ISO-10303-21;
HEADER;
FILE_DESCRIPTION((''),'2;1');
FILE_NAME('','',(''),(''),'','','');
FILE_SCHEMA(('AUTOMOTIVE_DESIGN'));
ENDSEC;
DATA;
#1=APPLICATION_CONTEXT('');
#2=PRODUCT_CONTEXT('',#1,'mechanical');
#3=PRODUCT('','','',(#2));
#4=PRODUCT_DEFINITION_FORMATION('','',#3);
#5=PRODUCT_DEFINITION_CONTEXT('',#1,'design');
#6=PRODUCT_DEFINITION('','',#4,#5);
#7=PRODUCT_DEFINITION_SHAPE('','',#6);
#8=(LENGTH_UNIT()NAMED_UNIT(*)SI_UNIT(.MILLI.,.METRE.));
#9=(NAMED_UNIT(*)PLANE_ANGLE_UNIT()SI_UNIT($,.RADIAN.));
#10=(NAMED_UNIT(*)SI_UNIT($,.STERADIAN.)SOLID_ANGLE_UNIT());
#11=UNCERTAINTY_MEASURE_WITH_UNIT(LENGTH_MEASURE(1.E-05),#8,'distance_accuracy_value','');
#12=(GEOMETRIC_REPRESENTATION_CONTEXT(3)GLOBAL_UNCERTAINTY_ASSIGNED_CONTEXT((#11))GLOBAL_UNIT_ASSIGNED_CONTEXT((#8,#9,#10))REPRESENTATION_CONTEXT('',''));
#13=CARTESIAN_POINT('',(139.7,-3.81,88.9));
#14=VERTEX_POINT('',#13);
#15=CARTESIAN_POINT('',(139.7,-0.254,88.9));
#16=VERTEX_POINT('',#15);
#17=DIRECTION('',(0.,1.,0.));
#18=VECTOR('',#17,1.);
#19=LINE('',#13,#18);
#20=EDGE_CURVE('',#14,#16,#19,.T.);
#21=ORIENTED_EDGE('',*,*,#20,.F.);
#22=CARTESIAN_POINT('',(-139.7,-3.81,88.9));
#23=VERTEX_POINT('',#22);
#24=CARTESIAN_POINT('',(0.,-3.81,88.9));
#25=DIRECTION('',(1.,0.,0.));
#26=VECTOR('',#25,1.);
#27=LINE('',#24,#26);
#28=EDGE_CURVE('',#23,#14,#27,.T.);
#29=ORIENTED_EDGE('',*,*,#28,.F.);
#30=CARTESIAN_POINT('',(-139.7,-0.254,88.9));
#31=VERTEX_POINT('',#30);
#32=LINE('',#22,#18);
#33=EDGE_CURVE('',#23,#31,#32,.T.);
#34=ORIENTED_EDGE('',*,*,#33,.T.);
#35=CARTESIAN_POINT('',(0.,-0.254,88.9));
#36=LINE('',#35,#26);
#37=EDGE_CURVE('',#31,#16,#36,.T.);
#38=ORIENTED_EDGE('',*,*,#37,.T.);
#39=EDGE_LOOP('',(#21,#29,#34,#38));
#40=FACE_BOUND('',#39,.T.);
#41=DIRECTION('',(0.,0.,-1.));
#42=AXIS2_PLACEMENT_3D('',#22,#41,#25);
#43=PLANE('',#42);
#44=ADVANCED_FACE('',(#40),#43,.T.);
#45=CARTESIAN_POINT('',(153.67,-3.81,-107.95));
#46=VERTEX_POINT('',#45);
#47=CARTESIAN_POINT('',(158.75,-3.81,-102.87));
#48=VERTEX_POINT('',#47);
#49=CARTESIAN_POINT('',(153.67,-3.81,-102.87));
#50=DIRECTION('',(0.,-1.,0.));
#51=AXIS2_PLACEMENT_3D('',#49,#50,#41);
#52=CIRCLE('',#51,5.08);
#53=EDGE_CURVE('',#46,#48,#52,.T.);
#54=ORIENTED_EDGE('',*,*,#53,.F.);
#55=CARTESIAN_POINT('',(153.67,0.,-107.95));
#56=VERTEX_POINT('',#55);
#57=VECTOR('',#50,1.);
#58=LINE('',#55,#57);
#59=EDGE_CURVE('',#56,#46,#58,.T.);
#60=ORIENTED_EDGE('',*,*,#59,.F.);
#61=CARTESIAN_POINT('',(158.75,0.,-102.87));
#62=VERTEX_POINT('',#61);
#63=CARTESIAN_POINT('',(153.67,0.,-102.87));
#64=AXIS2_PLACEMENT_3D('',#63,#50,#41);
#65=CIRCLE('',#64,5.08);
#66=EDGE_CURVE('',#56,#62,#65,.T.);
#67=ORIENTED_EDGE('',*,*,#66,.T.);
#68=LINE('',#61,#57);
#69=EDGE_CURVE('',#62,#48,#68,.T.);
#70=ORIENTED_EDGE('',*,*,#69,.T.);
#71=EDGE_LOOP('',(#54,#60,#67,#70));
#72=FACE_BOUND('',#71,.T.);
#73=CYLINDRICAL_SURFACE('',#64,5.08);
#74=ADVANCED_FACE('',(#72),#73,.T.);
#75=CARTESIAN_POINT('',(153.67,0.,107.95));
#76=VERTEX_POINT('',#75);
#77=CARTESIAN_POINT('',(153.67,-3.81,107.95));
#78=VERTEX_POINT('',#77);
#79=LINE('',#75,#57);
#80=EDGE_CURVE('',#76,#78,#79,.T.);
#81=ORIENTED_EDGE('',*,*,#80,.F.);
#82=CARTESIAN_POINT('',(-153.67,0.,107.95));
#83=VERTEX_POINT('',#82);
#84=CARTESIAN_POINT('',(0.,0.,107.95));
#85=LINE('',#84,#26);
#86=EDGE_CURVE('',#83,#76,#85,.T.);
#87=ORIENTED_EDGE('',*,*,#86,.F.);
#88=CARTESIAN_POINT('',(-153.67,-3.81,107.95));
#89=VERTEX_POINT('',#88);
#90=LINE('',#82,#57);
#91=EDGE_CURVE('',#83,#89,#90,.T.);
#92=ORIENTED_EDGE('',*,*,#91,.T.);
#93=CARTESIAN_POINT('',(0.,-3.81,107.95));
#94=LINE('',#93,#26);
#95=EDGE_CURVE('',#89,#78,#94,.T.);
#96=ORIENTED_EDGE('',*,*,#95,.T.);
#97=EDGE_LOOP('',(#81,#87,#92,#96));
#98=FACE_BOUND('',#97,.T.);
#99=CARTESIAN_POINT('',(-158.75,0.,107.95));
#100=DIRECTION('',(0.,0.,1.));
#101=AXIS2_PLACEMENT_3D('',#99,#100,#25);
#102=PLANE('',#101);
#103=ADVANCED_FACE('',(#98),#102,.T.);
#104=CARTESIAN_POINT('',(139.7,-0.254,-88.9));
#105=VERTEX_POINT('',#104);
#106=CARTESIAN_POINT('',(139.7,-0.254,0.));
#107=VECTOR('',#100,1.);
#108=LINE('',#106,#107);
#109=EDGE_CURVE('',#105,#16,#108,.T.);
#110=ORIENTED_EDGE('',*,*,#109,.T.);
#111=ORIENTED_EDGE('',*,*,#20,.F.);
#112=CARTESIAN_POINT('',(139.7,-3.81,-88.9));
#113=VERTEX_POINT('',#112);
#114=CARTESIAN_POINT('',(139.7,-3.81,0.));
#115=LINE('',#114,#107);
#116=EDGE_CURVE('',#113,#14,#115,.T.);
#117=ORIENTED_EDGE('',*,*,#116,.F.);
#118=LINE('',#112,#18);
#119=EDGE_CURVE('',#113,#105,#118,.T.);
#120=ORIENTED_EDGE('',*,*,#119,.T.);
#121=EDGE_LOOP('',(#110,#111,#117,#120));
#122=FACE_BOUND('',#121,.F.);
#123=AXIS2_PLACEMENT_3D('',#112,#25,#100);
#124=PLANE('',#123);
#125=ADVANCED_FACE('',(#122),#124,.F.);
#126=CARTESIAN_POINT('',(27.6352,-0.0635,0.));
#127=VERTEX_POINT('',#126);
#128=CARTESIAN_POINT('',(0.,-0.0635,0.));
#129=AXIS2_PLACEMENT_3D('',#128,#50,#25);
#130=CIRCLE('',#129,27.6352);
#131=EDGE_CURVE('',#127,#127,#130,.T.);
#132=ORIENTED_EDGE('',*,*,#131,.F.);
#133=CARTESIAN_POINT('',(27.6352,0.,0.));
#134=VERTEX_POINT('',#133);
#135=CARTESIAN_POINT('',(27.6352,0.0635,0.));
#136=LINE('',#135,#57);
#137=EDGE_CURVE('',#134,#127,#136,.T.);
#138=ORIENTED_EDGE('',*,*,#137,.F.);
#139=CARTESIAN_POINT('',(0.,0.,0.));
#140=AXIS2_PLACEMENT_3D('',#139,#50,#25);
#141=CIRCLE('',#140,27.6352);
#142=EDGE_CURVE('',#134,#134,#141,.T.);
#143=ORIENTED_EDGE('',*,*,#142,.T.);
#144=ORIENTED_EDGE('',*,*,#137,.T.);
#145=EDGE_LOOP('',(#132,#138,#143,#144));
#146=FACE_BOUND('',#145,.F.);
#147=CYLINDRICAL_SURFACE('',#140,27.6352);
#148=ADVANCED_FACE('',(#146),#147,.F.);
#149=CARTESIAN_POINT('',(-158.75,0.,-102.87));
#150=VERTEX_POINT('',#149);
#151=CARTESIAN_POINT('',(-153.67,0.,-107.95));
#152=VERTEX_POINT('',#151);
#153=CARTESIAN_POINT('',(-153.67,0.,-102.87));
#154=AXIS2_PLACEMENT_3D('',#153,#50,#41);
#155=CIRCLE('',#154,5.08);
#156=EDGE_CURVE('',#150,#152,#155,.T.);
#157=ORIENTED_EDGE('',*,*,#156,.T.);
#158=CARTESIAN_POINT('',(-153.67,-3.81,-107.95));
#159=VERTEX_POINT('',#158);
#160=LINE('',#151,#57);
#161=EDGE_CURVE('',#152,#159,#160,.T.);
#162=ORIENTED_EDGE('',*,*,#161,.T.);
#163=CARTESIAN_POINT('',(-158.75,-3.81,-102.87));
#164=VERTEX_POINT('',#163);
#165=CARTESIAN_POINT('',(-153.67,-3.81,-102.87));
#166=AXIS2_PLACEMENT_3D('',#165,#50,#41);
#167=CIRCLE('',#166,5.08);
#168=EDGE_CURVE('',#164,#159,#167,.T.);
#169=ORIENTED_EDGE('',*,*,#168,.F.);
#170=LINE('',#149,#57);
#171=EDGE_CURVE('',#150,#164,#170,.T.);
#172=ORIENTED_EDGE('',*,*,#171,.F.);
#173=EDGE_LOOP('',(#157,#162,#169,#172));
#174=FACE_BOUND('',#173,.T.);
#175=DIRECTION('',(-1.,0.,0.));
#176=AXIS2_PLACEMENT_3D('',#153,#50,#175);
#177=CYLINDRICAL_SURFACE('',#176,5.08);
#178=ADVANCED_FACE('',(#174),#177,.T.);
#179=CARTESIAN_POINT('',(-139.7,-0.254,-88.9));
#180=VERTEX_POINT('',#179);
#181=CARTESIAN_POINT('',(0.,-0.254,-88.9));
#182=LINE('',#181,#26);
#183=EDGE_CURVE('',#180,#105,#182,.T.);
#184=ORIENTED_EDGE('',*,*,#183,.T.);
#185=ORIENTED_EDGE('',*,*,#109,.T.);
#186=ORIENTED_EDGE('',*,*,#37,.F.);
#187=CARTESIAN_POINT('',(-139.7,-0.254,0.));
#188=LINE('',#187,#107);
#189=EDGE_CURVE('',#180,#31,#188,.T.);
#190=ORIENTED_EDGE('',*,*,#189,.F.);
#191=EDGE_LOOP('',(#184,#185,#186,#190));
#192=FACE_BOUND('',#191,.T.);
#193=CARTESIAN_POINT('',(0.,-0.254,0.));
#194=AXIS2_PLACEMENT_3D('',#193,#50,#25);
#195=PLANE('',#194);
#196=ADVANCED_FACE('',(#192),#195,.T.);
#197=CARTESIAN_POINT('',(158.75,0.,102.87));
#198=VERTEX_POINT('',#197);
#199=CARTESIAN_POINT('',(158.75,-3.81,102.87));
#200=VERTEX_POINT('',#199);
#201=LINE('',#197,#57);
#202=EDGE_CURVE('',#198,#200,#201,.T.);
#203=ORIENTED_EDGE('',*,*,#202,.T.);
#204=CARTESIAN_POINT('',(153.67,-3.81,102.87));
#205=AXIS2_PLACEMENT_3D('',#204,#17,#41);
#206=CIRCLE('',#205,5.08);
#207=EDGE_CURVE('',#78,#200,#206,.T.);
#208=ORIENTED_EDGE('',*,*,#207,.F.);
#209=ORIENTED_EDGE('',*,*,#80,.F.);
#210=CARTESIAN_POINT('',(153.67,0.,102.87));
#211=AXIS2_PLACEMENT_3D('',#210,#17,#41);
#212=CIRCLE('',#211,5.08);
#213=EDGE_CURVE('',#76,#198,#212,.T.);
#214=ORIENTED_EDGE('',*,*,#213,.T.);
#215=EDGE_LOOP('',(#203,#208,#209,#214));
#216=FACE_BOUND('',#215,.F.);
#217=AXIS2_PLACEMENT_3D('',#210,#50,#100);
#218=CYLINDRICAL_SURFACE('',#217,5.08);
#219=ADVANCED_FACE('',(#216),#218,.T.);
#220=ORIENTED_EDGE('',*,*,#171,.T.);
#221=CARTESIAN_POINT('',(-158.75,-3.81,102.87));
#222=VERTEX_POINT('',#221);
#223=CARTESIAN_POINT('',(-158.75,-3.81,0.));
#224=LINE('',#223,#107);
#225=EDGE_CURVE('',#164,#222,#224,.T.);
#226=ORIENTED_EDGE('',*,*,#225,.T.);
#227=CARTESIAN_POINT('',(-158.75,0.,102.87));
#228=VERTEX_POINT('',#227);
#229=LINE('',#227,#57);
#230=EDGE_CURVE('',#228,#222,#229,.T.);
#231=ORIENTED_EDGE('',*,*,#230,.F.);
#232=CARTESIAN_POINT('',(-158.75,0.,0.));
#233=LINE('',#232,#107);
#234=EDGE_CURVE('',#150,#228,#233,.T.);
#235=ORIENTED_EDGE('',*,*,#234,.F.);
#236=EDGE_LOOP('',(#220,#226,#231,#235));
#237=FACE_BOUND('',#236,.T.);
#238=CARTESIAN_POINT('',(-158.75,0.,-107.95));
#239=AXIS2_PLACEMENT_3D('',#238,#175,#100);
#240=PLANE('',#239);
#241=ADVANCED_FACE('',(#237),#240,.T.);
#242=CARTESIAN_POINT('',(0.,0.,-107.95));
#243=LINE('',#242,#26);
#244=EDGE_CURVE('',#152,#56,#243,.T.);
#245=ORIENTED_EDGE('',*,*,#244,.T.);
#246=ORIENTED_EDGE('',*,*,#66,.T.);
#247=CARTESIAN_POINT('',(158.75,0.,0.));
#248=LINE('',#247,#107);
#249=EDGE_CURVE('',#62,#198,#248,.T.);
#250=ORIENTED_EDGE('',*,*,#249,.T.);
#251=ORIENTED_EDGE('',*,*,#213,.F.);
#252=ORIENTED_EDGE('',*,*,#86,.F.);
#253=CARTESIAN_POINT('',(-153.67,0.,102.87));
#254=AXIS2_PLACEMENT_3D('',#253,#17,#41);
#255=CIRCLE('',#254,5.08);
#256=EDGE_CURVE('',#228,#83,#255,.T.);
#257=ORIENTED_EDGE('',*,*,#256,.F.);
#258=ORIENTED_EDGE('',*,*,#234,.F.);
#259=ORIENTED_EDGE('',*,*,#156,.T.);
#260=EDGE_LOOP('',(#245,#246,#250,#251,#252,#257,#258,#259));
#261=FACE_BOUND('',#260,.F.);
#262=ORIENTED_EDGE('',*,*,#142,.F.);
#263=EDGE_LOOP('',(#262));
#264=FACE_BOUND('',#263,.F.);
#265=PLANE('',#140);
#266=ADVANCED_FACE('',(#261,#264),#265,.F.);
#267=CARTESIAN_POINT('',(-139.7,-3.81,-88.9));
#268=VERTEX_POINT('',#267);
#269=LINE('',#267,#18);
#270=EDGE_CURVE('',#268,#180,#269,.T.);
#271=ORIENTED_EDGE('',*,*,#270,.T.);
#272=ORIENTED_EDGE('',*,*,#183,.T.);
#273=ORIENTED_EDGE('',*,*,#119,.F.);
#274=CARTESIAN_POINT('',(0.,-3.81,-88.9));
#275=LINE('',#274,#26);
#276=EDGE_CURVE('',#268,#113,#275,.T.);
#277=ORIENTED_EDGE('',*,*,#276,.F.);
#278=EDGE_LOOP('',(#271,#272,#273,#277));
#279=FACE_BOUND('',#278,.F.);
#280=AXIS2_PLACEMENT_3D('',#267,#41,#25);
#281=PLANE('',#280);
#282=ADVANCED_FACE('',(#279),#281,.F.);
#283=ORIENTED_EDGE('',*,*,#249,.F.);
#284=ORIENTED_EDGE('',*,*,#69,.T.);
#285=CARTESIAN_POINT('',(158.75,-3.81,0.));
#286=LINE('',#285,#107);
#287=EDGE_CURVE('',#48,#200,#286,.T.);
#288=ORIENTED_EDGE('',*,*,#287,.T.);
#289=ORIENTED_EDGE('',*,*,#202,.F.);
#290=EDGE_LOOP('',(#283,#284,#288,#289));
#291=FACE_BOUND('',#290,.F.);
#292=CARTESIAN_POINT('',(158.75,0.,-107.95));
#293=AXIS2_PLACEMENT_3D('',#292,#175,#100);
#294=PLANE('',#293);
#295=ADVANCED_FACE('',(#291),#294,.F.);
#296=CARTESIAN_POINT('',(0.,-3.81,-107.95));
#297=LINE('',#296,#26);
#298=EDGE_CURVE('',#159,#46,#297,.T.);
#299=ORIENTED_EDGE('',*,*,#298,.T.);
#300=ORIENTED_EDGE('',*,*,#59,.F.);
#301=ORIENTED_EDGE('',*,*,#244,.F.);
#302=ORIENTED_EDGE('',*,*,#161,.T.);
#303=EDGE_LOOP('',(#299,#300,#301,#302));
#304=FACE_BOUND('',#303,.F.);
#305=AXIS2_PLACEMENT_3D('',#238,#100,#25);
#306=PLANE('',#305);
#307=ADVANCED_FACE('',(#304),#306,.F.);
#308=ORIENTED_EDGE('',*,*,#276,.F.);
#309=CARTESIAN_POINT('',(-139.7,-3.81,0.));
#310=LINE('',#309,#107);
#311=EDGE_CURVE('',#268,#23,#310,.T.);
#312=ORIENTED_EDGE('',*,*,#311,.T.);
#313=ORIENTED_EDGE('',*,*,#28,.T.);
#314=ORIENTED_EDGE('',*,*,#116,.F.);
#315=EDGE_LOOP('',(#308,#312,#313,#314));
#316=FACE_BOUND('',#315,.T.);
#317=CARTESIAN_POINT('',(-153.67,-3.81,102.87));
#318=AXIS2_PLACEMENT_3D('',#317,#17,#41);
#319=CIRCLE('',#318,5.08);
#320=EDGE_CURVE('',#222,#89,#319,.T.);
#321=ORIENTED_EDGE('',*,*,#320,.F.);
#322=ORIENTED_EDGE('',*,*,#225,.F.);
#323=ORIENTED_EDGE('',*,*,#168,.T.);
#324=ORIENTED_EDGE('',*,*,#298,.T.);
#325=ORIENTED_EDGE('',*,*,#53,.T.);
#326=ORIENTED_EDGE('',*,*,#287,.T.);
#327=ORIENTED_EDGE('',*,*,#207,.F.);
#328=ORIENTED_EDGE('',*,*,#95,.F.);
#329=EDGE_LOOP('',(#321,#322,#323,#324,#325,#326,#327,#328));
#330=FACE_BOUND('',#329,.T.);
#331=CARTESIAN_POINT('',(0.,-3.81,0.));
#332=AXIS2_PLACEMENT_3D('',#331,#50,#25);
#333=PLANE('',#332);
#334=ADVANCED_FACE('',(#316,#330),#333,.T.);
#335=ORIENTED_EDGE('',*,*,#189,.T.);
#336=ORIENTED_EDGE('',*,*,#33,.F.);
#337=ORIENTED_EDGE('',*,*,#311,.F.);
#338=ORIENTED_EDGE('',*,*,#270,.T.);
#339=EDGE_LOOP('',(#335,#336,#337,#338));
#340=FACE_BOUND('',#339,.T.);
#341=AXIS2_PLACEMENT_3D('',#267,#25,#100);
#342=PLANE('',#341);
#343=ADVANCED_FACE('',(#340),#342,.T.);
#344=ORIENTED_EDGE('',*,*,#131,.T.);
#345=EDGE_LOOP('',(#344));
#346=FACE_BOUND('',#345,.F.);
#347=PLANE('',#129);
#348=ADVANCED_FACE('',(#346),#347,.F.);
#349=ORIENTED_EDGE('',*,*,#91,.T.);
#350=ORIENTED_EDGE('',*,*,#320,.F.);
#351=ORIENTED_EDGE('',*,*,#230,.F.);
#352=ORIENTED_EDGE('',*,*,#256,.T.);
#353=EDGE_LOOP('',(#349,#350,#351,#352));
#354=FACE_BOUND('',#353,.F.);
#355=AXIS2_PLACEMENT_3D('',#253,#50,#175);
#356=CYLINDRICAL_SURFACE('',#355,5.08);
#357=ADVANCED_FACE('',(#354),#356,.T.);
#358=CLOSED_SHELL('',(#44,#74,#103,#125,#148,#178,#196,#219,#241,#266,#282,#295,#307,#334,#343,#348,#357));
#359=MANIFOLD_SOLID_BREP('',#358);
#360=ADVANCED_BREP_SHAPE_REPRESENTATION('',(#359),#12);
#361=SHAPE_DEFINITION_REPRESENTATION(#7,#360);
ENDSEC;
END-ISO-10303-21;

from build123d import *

# Parameters (mm, degrees)
F0_W     = 317.5
F0_H     = 215.9
F1_DEPTH = 3.81
F2_R     = 5.08
F3_R     = 5.08
F4_W     = 279.4
F4_H     = 177.8
F5_DEPTH = 25.4
F6_W     = 279.4
F6_H     = 177.8
F7_DEPTH = 0.254
F8_R     = 27.6352
F9_DEPTH = 0.0635


with BuildPart() as f1:
    # F0 (on Front) → F1 (new body)
    with BuildSketch(Plane.XZ):
        Rectangle(F0_W, F0_H)
    extrude(amount=F1_DEPTH)

    # F2
    f2_edges = [f1.edges().sort_by_distance(p)[0] for p in [
        (-158.75, -1.905, -107.95),
    ]]
    fillet(f2_edges, radius=F2_R)

    # F3
    f3_edges = [f1.edges().sort_by_distance(p)[0] for p in [
        (-158.75, -1.905, 107.95),
        (158.75, -1.905, 107.95),
        (158.75, -1.905, -107.95),
    ]]
    fillet(f3_edges, radius=F3_R)

    # F4 (on face) → F5 (cut)
    with BuildSketch(Plane.XZ.offset(3.81)):
        Rectangle(F4_W, F4_H)
    extrude(amount=-F5_DEPTH, mode=Mode.SUBTRACT)

    # F6 (on face) → F7 (join)
    with BuildSketch(Plane.XZ):
        Rectangle(F6_W, F6_H)
    extrude(amount=F7_DEPTH)

    # F8 (on face) → F9 (cut, symmetric)
    with BuildSketch(Plane.XZ):
        Circle(F8_R)
    extrude(amount=F9_DEPTH, both=True, mode=Mode.SUBTRACT)


solid = f1.part
